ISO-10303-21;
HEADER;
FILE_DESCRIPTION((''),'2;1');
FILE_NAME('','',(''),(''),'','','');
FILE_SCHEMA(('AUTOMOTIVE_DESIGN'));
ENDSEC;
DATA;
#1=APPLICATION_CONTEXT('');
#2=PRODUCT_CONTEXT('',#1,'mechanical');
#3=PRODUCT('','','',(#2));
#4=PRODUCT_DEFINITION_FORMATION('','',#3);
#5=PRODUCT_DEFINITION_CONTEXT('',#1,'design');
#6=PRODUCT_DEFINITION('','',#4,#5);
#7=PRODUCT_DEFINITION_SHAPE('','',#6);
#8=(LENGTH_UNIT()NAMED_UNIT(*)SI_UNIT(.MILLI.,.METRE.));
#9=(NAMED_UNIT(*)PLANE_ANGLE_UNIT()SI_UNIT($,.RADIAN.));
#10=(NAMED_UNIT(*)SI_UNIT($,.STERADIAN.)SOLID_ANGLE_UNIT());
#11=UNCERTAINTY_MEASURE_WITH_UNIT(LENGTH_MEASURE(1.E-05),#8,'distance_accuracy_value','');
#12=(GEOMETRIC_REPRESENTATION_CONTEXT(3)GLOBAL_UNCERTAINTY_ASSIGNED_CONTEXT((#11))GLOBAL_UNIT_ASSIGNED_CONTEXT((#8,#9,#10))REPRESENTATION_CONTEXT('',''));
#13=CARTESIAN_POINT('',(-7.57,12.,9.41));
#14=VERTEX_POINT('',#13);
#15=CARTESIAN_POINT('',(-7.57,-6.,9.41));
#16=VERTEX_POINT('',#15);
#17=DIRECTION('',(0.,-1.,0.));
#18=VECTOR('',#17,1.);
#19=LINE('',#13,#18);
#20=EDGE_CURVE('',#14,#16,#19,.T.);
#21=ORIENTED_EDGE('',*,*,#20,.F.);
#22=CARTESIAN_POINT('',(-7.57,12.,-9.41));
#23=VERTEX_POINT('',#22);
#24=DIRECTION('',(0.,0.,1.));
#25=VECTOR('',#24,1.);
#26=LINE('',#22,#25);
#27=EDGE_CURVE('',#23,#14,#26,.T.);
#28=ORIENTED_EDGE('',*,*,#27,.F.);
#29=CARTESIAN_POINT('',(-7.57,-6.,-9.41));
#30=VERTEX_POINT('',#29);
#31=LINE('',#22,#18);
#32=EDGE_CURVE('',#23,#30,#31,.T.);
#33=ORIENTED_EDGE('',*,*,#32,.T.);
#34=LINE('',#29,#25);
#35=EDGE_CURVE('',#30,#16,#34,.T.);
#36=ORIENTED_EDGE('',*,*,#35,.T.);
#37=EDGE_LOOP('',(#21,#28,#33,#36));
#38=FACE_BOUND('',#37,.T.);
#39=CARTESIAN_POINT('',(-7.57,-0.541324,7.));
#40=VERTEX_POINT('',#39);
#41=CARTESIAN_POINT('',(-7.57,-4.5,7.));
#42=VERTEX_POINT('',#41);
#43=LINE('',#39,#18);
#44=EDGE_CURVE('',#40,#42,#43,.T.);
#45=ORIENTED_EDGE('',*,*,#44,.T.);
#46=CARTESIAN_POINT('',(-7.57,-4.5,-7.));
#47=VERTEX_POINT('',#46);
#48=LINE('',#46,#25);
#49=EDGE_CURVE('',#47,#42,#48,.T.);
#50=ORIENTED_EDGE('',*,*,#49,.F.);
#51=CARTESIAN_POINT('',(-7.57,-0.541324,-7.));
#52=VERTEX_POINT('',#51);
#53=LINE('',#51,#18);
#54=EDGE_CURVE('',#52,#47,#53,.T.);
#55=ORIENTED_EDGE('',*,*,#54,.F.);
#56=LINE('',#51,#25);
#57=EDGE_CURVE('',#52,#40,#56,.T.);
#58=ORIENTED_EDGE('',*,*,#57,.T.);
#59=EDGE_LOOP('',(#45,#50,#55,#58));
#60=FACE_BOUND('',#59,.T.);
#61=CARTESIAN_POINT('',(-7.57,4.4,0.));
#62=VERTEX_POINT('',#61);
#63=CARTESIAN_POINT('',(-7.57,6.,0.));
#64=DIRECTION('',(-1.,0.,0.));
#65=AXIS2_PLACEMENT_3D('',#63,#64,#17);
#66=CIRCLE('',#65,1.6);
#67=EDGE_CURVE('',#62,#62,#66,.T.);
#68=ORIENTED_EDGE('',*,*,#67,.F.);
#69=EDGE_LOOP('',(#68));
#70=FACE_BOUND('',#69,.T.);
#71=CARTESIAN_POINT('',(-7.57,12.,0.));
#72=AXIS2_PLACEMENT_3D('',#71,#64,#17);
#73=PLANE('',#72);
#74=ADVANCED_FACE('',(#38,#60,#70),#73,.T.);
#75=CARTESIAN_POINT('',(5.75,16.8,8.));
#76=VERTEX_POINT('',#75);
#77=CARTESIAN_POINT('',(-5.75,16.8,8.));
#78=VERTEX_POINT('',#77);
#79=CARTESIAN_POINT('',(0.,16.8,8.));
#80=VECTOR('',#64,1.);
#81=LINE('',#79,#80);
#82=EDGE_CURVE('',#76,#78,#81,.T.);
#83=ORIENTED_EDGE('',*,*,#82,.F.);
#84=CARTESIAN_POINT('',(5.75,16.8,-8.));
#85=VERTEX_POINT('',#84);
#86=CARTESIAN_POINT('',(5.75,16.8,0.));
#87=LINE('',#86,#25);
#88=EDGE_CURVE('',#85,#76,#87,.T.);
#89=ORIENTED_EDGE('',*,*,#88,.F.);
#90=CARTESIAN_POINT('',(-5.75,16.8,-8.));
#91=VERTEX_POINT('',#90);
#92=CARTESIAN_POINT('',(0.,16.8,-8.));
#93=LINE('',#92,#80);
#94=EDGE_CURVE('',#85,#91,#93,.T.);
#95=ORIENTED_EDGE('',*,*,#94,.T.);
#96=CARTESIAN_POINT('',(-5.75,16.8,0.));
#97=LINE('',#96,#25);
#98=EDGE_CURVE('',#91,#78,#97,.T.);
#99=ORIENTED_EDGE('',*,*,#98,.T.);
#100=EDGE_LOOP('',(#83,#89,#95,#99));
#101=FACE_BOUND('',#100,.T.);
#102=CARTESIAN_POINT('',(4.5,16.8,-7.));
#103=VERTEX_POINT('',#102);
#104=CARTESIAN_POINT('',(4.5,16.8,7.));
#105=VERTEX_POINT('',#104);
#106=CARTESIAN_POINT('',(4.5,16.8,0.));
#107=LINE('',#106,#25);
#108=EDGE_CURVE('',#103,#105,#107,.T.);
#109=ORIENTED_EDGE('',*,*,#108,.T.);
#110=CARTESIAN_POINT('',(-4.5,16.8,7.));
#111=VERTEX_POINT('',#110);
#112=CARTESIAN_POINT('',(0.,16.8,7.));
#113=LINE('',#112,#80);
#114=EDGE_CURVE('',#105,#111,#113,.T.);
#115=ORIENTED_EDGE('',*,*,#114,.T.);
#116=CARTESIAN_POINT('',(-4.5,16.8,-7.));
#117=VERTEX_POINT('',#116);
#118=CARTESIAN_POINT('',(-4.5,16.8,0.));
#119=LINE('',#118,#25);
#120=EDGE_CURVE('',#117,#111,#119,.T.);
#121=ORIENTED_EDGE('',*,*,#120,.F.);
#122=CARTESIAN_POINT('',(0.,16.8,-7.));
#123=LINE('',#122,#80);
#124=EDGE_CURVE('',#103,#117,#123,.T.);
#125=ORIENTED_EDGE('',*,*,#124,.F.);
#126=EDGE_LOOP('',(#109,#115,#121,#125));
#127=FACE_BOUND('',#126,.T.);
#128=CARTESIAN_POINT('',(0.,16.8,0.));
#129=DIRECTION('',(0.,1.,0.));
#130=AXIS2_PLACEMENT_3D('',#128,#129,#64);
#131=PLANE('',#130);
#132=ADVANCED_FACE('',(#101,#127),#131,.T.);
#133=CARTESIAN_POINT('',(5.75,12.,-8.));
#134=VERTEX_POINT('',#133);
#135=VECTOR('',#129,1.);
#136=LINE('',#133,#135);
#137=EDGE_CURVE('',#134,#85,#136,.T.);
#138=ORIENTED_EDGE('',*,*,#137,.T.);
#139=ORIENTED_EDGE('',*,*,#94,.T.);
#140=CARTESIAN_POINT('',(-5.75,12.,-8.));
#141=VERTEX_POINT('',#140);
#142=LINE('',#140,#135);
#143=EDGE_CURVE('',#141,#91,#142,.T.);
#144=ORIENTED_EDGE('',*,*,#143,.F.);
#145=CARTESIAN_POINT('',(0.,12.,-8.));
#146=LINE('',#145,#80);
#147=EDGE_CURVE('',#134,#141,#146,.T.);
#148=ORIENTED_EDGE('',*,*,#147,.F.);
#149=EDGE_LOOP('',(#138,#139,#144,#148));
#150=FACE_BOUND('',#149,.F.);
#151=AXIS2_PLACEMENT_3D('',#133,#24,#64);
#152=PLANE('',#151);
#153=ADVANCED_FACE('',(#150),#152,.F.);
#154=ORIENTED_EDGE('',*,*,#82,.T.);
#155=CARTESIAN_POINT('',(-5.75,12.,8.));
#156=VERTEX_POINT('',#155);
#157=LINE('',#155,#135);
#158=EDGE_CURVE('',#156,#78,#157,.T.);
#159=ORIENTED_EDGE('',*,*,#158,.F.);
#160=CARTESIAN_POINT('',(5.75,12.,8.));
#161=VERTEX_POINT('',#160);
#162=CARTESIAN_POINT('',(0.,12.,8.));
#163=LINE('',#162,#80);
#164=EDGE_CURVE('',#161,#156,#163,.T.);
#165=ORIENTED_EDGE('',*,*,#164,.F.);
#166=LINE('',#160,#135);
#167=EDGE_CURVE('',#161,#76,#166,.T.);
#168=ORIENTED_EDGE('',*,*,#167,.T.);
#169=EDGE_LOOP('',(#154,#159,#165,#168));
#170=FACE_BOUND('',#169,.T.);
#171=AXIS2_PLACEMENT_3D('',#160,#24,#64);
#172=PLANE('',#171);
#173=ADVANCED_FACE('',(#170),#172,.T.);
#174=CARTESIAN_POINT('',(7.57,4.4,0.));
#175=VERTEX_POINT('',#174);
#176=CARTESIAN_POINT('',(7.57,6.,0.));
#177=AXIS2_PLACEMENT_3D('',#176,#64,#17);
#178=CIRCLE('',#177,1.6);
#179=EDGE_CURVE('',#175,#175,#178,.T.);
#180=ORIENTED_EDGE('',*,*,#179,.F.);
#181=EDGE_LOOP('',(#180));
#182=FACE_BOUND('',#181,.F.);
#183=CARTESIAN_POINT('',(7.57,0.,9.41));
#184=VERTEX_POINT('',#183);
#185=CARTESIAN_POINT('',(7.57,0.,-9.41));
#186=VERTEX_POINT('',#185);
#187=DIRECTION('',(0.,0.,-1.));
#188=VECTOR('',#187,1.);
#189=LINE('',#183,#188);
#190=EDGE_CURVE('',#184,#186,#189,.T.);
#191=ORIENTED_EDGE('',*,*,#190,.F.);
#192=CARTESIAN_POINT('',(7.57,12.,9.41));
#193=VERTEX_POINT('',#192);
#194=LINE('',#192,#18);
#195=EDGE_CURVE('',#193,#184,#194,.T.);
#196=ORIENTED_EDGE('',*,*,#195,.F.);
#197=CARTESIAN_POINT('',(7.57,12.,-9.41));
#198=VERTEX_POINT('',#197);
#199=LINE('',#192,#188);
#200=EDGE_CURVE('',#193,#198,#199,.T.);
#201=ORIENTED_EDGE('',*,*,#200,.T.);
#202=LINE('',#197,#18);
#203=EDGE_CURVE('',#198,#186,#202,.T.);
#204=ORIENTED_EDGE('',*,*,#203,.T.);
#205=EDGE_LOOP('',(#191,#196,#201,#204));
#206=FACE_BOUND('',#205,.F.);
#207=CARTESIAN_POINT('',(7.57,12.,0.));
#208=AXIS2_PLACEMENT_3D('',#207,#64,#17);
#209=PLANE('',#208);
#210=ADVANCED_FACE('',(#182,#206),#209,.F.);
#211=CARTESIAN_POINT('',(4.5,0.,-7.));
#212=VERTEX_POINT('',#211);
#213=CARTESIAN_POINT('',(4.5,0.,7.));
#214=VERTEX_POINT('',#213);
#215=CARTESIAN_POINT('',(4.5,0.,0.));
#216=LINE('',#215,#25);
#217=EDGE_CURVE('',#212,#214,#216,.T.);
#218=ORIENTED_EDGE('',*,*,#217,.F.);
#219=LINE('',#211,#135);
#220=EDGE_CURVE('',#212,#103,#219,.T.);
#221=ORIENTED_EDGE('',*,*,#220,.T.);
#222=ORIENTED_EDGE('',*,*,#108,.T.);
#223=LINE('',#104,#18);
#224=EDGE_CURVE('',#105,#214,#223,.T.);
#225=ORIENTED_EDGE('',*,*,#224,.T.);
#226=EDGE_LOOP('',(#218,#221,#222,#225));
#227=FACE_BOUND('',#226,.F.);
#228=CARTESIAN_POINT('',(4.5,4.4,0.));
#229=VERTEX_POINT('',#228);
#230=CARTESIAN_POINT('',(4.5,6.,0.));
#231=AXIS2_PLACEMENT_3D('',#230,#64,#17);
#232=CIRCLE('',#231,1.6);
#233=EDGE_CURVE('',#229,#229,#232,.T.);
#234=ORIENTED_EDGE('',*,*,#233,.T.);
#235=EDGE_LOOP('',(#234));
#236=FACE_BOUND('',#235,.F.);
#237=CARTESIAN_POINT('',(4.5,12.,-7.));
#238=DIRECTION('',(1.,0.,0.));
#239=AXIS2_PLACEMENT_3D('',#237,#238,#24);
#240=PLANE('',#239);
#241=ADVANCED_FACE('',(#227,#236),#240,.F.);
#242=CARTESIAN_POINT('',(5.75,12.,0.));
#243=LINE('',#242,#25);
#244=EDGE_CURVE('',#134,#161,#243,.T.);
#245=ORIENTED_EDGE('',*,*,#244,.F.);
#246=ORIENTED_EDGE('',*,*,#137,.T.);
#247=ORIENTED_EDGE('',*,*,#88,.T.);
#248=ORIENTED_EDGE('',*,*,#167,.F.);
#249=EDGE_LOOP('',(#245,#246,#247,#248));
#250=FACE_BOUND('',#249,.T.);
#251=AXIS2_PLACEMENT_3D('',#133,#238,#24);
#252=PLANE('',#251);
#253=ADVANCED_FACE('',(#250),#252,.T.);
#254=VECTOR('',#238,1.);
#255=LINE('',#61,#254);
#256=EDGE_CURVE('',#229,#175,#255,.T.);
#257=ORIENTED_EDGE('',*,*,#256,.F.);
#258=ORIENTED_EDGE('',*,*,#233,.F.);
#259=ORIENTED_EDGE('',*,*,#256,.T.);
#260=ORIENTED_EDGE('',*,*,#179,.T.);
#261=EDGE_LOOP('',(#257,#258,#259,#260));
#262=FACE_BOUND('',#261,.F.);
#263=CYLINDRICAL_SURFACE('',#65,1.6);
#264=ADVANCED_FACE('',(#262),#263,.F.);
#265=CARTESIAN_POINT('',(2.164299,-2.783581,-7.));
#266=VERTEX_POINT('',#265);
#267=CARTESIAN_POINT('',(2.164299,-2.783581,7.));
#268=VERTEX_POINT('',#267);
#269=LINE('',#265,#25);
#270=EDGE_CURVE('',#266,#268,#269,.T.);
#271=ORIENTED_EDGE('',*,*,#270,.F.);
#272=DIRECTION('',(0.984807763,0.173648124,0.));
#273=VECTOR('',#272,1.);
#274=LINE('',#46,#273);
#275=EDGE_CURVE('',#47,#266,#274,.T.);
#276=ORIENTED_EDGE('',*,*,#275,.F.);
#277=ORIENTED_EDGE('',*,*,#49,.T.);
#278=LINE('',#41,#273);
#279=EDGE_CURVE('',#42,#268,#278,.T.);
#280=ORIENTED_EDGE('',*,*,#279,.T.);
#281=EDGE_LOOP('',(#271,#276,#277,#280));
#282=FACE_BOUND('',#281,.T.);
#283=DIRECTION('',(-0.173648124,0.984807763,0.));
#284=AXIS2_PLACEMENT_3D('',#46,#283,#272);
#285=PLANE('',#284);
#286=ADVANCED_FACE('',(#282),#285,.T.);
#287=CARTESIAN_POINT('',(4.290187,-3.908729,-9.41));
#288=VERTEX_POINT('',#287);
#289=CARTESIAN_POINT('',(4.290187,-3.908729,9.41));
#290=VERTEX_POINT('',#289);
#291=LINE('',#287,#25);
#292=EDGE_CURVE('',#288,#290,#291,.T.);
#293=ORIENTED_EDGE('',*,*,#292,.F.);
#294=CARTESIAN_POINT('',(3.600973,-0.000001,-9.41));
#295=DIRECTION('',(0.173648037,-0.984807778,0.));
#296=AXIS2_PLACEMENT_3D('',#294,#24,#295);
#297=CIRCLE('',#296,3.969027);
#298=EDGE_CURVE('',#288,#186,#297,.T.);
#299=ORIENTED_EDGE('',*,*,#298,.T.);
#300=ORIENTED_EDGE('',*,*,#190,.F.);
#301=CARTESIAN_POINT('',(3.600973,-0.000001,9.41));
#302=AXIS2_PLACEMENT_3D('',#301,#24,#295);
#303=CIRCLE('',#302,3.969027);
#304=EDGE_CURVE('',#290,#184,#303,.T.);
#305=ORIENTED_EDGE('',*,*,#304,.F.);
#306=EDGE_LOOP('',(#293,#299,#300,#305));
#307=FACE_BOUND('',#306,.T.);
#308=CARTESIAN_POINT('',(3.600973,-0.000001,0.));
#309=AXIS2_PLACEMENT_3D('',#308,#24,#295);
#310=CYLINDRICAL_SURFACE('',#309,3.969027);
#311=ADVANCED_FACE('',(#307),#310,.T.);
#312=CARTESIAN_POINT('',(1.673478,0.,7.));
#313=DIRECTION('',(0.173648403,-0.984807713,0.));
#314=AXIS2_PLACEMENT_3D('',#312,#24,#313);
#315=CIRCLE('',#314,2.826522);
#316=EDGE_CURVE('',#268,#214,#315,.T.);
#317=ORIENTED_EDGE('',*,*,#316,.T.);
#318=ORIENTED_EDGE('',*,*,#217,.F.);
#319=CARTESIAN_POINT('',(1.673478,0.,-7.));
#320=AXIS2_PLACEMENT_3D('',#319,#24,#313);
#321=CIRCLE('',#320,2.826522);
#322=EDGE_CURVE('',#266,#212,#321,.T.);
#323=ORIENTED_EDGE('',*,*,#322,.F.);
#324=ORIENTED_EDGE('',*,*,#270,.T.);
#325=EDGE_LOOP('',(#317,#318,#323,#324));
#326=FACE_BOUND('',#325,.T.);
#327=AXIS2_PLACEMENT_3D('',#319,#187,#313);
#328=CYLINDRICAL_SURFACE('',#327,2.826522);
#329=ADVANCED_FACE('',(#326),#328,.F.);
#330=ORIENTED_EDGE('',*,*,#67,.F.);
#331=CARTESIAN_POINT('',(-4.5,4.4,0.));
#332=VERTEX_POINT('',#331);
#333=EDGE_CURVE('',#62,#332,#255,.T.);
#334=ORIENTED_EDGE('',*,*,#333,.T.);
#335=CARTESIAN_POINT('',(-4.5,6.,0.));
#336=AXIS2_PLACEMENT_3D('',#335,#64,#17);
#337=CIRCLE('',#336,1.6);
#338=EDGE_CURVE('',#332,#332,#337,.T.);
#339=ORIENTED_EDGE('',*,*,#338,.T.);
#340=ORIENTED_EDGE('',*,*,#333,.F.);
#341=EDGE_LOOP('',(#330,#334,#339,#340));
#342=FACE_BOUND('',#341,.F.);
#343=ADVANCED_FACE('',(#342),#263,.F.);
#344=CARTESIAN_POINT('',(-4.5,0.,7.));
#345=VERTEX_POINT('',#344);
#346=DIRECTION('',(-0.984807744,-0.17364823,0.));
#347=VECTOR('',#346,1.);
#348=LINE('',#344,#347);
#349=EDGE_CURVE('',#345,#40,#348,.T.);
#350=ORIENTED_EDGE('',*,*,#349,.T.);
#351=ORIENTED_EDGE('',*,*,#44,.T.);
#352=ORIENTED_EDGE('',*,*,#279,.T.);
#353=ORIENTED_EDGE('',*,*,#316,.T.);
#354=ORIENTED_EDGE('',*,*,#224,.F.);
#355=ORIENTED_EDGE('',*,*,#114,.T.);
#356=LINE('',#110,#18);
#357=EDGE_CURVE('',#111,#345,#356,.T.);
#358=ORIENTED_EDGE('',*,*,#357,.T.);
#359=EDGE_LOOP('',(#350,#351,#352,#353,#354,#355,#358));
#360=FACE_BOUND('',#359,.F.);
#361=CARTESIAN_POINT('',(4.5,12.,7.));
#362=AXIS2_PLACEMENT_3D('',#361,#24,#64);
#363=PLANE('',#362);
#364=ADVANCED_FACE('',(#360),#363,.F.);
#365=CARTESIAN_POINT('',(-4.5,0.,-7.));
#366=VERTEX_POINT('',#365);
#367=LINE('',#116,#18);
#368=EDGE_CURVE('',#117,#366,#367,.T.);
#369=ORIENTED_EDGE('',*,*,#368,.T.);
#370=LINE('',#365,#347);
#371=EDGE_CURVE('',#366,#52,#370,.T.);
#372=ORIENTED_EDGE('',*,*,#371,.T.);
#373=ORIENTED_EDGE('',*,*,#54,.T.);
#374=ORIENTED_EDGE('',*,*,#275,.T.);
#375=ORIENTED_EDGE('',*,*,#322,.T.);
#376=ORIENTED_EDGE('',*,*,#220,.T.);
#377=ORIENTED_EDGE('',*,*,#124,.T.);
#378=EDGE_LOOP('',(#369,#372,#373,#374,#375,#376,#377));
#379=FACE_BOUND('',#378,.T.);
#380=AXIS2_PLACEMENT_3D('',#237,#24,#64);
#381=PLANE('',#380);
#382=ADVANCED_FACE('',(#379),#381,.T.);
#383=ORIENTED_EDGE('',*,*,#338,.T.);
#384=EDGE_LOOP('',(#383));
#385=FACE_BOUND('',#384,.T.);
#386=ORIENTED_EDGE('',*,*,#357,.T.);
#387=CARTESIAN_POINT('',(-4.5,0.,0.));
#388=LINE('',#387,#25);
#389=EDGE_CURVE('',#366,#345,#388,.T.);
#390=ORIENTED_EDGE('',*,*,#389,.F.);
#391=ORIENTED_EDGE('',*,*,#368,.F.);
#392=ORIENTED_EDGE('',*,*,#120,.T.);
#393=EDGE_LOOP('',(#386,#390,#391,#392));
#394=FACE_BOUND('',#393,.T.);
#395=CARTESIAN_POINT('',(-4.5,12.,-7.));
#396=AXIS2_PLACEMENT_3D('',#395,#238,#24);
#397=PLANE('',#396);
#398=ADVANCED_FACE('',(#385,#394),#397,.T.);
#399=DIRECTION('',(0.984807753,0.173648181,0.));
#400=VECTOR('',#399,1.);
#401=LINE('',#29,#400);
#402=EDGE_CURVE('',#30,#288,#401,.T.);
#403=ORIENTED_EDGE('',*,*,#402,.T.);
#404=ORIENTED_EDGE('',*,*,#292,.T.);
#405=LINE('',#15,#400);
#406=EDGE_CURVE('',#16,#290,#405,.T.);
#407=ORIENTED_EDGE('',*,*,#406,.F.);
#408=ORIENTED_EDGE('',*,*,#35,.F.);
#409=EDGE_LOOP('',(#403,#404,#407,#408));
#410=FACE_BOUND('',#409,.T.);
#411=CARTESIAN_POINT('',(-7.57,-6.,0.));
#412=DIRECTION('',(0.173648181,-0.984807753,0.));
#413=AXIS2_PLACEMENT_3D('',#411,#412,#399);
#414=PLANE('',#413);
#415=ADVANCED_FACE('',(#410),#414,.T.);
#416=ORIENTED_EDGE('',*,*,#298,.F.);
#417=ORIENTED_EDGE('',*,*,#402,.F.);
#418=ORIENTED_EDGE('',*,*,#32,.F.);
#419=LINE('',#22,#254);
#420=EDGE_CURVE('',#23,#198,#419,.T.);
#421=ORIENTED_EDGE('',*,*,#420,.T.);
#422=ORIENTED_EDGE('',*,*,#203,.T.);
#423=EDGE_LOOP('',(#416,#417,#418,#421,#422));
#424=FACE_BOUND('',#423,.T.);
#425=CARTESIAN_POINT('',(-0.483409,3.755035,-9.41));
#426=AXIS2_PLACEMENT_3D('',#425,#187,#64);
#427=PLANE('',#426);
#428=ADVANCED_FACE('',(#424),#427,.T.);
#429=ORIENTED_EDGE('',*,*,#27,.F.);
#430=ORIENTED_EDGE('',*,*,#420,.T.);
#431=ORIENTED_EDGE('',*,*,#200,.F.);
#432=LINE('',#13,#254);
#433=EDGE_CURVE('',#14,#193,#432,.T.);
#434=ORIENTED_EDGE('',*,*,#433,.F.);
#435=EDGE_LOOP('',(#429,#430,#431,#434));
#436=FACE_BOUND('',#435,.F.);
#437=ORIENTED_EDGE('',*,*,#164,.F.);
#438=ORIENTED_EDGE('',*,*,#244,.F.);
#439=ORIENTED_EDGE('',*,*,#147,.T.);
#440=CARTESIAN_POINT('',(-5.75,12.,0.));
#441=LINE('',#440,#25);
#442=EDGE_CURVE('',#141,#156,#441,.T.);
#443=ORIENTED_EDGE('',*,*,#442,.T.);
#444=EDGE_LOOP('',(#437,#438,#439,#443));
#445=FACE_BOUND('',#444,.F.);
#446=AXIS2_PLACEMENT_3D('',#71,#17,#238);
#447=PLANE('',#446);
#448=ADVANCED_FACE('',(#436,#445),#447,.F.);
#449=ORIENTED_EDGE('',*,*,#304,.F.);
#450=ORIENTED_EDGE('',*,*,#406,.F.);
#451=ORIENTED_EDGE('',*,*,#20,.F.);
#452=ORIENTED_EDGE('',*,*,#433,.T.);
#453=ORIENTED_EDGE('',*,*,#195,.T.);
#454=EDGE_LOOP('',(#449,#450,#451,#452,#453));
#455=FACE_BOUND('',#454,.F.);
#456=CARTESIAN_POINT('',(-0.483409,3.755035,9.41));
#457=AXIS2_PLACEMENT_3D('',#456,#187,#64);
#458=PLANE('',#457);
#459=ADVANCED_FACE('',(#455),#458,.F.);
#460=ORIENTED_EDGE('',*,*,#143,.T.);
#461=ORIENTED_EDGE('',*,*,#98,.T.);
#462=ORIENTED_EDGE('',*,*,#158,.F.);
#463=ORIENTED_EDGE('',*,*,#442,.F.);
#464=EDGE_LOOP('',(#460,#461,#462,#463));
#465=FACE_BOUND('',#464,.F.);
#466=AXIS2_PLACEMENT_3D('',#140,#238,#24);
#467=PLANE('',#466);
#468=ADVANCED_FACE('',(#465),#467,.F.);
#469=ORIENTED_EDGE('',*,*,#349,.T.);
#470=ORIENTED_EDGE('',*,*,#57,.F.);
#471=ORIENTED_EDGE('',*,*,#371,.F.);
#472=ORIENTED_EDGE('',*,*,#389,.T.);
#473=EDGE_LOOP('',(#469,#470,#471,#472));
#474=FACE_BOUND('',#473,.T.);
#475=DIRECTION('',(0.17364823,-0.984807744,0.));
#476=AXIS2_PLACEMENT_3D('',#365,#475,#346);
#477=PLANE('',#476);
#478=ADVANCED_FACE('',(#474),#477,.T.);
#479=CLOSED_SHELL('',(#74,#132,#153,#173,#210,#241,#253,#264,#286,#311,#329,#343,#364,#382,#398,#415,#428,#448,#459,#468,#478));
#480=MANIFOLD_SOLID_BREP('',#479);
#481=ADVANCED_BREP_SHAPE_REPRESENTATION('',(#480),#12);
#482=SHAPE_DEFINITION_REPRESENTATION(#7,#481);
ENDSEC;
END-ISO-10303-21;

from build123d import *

# Parameters (mm, degrees)
PAD_DEPTH       = 9.41
SKETCH001_W     = 9
SKETCH001_H     = 14
POCKET_DEPTH    = 12
POCKET001_DEPTH = 14
SKETCH003_W     = 11.5
SKETCH003_H     = 16
SKETCH003_W_2   = 9
SKETCH003_H_2   = 14
PAD001_DEPTH    = 4.8
SKETCH004_R     = 1.6
POCKET002_DEPTH = 15.141


with BuildPart() as part:
    # Sketch → Pad (new body, symmetric)
    with BuildSketch(Plane.XY):
        with BuildLine():
            Line((-7.57, 12), (7.57, 12))
            Line((7.57, 12), (7.57, 0))
            ThreePointArc((4.290187, -3.908729), (6.641424, -2.551242), (7.57, 0))
            Line((-7.57, -6), (4.290187, -3.908729))
            Line((-7.57, 0), (-7.57, -6))
            Line((-7.57, 0), (-7.57, 12))
        make_face()
    extrude(amount=PAD_DEPTH, both=True)

    # Sketch001 (on Face1 of Pad) → Pocket (cut)
    with BuildSketch(Plane(origin=(0, 12, 0), x_dir=(-1, 0, 0), z_dir=(0, 1, 0))):
        Rectangle(SKETCH001_W, SKETCH001_H)
    extrude(amount=-POCKET_DEPTH, mode=Mode.SUBTRACT)

    # Sketch002 (on Face7 of Pocket) → Pocket001 (cut)
    with BuildSketch(Plane.XY.offset(-7)):
        with BuildLine():
            Line((-4.5, 0), (-7.57, -0.541324))
            Line((-7.57, -0.541324), (-7.57, -4.5))
            Line((-7.57, -4.5), (2.164299, -2.783581))
            ThreePointArc((2.164299, -2.783581), (3.83872, -1.816853), (4.5, 0))
            Line((-4.5, 0), (4.5, 0))
        make_face()
    extrude(amount=POCKET001_DEPTH, mode=Mode.SUBTRACT)

    # Sketch003 (on Face1 of Pocket001) → Pad001 (join)
    with BuildSketch(Plane(origin=(0, 12, 0), x_dir=(-1, 0, 0), z_dir=(0, 1, 0))):
        Rectangle(SKETCH003_W, SKETCH003_H)
        Rectangle(SKETCH003_W_2, SKETCH003_H_2, mode=Mode.SUBTRACT)
    extrude(amount=PAD001_DEPTH)

    # Sketch004 (on Face2 of Pad001) → Pocket002 (cut, through all)
    with BuildSketch(Plane(origin=(-7.57, 0, 0), x_dir=(0, -1, 0), z_dir=(-1, 0, 0))):
        with Locations((-6, 0)):
            Circle(SKETCH004_R)
    extrude(amount=-POCKET002_DEPTH, mode=Mode.SUBTRACT)


solid = part.part
